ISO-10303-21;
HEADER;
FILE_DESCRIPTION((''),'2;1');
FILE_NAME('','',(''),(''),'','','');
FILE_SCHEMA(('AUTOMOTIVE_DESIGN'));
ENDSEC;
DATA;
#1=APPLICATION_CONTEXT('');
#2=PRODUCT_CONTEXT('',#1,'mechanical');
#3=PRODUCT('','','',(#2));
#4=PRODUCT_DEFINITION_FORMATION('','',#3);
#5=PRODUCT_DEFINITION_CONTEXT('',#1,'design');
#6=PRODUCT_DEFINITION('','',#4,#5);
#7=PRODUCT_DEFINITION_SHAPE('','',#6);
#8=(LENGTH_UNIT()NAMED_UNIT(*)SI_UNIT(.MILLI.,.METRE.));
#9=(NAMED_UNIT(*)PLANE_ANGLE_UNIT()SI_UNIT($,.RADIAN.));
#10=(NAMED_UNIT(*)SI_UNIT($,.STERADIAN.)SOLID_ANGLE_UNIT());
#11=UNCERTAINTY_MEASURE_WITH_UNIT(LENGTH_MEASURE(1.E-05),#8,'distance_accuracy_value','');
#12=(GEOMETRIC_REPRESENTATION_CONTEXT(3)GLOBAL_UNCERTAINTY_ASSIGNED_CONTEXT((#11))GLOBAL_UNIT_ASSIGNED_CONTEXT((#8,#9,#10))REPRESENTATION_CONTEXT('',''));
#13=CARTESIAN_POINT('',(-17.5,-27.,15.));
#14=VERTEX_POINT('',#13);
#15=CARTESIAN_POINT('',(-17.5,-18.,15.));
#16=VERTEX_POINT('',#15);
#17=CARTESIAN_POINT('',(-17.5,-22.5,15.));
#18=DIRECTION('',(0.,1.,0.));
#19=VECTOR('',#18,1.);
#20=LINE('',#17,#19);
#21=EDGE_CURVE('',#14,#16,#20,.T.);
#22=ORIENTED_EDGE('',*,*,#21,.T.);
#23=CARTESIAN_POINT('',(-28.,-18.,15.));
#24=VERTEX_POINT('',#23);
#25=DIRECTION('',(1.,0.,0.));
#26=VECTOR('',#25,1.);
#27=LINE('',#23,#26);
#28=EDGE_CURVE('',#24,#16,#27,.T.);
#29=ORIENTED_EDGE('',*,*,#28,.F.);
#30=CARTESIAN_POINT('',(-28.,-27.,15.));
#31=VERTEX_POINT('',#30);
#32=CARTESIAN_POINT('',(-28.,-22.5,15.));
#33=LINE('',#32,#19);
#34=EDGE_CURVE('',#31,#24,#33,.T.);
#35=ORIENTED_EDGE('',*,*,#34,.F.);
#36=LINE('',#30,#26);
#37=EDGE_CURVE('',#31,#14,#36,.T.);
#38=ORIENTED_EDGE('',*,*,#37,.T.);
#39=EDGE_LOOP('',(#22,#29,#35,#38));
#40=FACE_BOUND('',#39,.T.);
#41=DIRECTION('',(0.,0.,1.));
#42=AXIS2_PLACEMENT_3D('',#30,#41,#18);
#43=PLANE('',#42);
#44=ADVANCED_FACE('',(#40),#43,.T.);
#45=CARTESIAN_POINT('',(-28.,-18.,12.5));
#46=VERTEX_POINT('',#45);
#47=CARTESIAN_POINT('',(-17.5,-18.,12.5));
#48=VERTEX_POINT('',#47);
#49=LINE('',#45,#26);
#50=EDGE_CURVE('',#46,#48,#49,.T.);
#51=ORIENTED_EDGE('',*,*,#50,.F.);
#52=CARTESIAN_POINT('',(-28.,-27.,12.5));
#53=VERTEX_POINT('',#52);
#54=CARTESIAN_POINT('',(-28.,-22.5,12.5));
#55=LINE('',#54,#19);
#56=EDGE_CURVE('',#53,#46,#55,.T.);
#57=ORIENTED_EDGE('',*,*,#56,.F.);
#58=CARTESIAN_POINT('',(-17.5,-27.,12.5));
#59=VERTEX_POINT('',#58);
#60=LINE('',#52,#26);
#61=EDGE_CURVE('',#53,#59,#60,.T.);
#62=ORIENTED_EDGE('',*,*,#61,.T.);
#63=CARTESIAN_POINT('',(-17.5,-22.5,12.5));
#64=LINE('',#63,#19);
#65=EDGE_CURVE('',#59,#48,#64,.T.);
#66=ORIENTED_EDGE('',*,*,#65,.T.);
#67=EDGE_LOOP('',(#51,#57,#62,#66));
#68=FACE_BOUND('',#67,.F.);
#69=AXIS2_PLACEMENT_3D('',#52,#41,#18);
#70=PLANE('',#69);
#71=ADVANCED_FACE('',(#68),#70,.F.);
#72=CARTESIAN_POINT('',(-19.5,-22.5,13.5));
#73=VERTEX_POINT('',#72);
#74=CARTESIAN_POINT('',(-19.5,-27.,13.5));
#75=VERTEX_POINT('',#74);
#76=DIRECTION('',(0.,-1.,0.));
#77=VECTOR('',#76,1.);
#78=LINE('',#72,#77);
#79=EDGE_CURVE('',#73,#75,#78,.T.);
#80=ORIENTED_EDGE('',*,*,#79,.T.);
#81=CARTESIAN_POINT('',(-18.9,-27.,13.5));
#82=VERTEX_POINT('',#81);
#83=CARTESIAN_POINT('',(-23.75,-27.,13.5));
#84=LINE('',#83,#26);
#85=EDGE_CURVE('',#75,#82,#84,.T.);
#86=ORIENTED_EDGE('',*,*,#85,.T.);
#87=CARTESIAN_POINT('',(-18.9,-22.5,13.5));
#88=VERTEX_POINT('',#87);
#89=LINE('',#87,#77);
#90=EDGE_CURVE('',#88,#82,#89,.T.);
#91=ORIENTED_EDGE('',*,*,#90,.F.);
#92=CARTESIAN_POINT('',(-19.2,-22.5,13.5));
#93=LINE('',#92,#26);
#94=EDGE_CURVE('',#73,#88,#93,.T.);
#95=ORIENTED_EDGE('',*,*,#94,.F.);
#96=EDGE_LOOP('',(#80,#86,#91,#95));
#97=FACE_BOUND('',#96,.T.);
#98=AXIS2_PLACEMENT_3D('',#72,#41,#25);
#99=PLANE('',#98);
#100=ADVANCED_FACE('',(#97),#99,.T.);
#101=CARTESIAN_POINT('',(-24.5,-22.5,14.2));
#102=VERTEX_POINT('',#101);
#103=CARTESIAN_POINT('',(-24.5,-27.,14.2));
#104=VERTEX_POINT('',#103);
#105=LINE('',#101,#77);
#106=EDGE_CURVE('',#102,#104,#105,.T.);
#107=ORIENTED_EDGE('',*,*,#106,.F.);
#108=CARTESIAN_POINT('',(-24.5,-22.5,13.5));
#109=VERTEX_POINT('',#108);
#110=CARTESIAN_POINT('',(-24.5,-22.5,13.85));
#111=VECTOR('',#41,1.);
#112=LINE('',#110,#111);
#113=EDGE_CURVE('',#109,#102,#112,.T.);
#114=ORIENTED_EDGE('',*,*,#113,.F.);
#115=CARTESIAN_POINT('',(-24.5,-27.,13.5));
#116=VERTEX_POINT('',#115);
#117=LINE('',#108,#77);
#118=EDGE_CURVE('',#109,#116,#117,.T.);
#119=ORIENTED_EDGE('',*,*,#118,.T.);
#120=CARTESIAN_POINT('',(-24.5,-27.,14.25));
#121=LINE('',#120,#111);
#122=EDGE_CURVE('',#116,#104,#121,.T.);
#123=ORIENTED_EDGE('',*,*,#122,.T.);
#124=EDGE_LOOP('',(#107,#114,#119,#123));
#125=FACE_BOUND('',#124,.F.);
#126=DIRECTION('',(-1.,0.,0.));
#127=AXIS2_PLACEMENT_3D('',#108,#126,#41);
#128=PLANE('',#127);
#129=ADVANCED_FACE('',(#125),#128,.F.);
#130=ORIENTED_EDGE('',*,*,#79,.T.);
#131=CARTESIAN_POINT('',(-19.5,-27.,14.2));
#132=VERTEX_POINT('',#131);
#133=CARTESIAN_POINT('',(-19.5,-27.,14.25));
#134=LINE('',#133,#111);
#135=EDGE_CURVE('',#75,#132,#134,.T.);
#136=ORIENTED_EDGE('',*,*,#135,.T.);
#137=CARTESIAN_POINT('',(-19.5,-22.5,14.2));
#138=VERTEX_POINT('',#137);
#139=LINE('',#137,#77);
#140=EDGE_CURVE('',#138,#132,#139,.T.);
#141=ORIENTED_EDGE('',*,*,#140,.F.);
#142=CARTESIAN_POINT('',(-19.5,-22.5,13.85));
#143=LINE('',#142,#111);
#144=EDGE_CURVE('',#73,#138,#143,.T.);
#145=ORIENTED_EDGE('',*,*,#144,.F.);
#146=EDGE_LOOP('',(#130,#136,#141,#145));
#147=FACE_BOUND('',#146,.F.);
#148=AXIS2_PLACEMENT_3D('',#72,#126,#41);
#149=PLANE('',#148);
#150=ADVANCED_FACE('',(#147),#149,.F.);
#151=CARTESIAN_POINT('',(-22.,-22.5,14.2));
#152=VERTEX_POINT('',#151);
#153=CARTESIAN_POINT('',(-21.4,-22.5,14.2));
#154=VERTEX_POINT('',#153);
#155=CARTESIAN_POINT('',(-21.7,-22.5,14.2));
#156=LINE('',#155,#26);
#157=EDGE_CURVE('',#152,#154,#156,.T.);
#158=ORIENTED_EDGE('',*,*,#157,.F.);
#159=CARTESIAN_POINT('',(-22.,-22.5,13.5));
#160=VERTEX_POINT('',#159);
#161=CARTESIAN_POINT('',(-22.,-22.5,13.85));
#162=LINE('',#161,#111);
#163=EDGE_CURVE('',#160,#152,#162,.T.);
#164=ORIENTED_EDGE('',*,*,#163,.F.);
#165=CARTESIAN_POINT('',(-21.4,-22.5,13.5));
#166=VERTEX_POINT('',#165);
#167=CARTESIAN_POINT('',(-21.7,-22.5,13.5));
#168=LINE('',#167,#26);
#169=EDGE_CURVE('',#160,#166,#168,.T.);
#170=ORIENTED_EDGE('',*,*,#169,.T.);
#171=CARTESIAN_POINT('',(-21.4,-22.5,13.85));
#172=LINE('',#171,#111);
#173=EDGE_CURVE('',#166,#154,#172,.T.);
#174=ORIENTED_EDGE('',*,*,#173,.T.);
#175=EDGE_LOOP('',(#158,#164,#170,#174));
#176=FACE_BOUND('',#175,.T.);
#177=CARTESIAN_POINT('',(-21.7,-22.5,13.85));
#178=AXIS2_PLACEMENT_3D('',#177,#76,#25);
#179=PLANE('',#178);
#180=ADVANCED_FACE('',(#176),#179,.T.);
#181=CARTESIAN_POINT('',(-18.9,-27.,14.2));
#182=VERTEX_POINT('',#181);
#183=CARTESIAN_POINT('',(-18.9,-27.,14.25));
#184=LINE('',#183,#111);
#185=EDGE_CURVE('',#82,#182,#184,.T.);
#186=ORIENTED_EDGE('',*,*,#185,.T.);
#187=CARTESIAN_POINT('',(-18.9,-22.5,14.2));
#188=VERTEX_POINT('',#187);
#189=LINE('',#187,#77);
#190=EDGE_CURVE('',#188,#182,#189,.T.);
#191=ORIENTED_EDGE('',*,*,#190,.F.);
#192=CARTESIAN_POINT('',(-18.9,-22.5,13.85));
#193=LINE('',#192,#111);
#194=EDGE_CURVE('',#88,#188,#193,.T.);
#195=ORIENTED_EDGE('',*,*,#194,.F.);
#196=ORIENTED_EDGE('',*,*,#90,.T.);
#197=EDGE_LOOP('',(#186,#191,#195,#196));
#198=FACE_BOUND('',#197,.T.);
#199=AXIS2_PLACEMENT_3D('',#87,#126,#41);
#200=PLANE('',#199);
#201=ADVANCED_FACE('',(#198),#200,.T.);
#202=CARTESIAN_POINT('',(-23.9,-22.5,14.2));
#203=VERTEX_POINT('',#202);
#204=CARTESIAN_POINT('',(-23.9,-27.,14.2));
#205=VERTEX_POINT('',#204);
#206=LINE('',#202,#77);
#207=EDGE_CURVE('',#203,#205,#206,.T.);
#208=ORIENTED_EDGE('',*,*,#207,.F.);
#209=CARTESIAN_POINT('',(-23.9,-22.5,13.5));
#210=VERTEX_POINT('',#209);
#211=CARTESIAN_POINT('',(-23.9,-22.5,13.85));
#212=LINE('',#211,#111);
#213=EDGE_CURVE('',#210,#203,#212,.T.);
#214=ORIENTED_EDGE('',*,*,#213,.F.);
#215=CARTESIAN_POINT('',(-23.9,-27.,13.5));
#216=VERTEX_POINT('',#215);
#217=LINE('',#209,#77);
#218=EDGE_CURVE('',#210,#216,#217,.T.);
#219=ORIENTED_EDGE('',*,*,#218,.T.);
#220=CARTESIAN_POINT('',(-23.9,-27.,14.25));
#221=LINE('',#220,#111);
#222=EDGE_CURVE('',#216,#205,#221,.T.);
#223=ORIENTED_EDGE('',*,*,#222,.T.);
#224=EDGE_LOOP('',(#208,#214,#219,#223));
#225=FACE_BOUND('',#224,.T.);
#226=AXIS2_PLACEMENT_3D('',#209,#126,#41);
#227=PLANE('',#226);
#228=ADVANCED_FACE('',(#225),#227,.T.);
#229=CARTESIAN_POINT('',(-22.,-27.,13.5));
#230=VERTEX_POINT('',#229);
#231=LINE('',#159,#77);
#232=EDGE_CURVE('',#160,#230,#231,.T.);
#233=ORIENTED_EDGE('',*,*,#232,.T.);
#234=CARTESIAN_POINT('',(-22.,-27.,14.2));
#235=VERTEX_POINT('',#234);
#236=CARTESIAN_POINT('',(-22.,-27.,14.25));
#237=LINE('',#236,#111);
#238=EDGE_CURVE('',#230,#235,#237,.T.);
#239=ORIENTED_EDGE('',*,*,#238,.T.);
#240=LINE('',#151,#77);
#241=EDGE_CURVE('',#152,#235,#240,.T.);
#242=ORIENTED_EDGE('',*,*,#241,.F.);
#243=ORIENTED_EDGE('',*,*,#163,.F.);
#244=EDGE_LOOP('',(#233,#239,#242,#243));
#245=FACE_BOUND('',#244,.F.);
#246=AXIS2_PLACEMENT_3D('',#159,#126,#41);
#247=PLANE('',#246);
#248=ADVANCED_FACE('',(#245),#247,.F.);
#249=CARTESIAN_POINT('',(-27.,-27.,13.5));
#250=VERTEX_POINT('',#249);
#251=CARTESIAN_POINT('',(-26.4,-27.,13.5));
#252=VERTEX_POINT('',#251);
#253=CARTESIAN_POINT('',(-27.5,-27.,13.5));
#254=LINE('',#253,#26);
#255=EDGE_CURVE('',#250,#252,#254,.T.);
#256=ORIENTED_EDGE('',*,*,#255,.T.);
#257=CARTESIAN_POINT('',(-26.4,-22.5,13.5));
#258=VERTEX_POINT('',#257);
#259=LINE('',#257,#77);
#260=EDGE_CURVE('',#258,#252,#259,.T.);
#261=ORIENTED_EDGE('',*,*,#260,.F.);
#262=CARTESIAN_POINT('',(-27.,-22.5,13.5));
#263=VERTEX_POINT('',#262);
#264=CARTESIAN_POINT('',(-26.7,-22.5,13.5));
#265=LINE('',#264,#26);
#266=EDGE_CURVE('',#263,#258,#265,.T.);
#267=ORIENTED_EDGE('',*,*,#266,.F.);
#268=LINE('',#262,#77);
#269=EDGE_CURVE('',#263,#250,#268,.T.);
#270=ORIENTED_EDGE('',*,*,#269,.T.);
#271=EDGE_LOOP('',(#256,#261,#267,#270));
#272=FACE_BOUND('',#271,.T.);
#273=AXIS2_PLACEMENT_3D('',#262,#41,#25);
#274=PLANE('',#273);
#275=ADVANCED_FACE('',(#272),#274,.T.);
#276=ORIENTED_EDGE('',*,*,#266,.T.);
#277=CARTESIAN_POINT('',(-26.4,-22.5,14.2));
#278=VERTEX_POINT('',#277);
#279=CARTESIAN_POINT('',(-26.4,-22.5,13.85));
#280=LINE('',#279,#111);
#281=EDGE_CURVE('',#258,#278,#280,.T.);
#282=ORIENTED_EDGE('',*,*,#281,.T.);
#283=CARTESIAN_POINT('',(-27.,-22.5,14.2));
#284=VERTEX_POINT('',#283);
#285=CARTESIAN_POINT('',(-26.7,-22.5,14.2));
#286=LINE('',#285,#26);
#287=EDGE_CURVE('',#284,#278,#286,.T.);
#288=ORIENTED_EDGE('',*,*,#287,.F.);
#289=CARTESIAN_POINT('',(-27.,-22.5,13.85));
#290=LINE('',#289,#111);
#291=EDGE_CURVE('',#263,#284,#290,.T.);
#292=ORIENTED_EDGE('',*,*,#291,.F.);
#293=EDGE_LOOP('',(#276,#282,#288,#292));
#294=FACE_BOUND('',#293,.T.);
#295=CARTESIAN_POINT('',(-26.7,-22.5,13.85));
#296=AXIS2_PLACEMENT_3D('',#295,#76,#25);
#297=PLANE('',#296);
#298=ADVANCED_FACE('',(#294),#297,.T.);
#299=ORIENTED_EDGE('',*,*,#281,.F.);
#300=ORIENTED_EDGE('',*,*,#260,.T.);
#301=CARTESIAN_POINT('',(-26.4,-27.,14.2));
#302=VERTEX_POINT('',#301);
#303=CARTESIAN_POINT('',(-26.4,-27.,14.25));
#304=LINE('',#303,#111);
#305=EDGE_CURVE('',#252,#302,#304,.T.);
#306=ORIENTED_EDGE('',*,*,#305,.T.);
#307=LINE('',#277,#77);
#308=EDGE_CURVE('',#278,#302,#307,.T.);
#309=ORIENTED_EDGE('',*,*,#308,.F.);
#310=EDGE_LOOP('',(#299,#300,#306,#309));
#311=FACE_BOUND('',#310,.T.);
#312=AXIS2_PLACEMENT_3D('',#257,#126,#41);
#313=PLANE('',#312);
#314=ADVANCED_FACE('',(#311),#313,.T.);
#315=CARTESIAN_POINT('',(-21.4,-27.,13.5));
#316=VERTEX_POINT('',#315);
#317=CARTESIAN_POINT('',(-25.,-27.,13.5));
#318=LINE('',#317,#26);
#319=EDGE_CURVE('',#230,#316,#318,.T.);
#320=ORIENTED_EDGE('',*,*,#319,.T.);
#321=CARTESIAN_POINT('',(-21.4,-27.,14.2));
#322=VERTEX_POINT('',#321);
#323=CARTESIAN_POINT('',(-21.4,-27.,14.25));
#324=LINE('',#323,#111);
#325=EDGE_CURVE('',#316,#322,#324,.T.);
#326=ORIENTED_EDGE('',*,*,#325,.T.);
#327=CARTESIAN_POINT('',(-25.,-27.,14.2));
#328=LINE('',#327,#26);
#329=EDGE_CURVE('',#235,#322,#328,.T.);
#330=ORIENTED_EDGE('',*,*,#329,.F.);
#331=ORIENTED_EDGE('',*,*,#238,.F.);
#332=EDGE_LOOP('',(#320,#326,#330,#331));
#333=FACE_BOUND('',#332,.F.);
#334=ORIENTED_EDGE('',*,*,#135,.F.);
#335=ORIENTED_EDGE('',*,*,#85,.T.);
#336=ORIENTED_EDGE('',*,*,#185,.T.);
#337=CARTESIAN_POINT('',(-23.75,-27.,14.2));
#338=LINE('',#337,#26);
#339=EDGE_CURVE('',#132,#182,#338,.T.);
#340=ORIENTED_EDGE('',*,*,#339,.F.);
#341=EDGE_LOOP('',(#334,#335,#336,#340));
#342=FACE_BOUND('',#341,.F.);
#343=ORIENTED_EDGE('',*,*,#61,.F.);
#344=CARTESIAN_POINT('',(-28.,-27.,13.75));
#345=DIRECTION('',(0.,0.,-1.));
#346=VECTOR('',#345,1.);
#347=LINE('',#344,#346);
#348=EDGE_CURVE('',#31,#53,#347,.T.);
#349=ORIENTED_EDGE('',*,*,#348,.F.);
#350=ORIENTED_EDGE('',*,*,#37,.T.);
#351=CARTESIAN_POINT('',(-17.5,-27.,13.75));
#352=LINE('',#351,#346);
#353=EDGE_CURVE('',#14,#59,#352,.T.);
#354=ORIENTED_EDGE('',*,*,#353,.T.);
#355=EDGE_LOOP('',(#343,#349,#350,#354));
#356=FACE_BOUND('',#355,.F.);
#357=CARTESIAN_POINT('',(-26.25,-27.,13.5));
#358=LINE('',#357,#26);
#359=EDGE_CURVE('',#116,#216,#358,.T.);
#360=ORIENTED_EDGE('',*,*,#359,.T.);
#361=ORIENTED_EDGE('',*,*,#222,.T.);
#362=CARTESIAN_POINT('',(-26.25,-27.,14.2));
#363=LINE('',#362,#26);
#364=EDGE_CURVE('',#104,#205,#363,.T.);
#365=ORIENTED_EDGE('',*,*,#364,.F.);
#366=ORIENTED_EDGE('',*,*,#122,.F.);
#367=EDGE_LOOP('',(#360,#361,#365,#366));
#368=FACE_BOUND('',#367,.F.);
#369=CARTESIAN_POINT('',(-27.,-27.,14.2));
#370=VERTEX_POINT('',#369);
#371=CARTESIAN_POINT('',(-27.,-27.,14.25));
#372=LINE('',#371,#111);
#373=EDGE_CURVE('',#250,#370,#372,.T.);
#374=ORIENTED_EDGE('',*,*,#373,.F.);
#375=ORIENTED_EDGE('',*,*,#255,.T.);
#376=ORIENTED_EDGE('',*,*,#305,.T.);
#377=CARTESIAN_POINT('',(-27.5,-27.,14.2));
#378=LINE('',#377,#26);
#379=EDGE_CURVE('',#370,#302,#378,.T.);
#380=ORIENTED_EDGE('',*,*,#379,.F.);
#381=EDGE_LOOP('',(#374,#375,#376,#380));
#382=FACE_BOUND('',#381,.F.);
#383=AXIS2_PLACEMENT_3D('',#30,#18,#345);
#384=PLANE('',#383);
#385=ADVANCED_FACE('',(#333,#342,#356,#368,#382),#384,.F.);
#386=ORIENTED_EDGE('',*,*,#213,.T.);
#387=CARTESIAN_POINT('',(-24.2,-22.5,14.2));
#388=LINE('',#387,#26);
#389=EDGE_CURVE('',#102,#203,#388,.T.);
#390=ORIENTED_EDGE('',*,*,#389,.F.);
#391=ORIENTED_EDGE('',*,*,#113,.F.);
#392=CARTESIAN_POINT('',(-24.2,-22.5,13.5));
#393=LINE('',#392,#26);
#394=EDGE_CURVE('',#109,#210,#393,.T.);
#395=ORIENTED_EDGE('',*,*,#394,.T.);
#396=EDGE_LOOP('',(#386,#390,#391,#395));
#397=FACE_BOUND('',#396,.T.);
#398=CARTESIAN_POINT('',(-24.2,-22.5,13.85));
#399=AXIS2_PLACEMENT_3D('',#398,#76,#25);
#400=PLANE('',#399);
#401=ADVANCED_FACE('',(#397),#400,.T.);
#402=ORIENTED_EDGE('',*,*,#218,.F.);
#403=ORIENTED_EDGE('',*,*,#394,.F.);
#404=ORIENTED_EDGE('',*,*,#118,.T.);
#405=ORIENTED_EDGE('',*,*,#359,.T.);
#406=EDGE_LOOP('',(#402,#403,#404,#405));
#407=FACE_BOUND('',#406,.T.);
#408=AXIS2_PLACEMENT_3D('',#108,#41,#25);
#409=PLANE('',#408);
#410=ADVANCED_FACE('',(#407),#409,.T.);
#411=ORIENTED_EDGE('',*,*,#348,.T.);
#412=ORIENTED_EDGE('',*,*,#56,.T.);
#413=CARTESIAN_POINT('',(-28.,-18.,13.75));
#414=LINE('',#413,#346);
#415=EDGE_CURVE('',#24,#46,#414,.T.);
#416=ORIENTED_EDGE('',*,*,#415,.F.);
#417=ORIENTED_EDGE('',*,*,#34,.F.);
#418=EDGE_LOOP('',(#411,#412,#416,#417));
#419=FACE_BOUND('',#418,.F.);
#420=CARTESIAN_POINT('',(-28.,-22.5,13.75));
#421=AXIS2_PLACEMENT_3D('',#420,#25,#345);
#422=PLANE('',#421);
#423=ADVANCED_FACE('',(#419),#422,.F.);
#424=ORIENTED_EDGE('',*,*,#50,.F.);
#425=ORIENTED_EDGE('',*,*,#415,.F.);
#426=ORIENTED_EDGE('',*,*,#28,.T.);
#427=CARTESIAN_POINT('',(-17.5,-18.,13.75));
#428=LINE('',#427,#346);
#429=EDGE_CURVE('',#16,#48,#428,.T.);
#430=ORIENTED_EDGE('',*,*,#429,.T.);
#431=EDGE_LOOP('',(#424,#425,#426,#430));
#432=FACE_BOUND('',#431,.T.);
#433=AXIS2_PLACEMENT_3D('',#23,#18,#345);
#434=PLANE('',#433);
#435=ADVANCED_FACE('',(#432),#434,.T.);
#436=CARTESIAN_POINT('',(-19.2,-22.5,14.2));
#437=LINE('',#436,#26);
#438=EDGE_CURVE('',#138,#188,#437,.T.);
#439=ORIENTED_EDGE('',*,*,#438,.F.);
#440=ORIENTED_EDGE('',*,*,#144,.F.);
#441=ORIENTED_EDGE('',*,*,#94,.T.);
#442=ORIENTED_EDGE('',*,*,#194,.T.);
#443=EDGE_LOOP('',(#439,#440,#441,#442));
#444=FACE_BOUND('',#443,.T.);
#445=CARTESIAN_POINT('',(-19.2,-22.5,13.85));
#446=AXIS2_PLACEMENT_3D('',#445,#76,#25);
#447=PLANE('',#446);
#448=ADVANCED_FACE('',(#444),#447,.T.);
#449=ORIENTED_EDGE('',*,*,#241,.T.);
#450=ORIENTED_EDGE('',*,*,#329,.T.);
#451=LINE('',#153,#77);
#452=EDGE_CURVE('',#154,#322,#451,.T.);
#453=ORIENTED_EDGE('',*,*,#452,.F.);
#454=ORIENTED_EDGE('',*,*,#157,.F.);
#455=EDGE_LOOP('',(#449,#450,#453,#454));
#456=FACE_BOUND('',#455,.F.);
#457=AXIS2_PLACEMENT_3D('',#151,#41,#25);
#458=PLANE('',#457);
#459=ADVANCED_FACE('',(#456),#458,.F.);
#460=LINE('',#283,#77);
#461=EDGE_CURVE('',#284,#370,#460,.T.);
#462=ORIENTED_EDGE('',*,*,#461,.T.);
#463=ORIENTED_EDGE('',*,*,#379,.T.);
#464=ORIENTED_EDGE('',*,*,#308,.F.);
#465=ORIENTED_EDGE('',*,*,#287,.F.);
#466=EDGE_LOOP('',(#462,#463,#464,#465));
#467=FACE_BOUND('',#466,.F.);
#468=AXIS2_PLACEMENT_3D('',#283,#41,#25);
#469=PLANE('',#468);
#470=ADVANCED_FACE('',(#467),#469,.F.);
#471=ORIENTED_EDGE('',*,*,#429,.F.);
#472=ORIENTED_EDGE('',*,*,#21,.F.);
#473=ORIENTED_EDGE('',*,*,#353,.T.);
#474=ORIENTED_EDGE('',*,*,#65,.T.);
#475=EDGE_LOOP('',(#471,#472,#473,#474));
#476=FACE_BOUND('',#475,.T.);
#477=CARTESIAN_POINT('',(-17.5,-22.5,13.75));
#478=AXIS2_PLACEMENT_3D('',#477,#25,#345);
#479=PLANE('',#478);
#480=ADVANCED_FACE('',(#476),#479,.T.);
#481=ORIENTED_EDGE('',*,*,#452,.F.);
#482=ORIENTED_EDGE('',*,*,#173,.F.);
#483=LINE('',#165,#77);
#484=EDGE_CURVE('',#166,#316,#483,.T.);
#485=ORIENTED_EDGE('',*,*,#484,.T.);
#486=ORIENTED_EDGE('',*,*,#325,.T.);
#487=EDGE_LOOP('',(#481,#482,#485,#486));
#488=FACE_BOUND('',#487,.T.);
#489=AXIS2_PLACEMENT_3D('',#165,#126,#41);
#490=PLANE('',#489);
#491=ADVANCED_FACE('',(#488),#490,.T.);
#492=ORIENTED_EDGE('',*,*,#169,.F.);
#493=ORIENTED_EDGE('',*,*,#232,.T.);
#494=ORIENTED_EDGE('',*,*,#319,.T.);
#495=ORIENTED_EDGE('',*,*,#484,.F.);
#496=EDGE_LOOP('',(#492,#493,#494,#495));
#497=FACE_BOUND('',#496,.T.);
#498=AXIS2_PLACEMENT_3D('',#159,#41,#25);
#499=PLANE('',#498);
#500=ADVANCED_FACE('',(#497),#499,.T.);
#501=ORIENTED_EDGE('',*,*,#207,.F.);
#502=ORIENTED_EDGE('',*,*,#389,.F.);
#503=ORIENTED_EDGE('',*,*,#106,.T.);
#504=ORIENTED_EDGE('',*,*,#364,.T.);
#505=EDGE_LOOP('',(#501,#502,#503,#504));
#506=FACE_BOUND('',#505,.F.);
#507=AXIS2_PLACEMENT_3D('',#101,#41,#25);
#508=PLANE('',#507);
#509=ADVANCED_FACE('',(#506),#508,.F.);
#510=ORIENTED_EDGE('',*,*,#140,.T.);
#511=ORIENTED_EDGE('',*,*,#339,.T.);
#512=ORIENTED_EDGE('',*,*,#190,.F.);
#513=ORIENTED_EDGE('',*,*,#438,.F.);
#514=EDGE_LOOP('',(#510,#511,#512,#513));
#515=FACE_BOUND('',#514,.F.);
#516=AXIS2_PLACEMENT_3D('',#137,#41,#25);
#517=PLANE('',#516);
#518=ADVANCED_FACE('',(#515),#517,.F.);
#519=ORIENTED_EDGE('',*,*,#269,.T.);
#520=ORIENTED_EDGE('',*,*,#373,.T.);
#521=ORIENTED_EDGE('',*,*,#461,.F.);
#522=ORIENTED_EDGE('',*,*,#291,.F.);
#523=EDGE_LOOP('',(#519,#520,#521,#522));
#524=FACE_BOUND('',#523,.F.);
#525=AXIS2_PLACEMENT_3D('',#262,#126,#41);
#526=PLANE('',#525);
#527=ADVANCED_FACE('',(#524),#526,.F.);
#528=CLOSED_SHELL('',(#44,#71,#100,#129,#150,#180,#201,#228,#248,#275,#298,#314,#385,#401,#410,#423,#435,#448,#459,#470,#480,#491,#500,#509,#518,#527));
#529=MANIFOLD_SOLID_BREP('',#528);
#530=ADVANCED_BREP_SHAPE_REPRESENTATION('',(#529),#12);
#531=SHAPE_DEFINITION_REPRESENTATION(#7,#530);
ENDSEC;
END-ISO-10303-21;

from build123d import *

# Parameters (mm, degrees)
BOX297_W         = 0.6
BOX297_H         = 0.7
BOX297_DEPTH     = 5
ARRAY009_X_COUNT = 4
ARRAY009_X_PITCH = 2.5
BOX296_W         = 2.5
BOX296_H         = 9
BOX296_DEPTH     = 10.5


with BuildPart() as array009:
    # Box297 → Box297 (new body)
    with BuildSketch(Plane(origin=(-27, -22.5, 13.5), x_dir=(1, 0, 0), z_dir=(0, -1, 0))):
        with Locations((0.3, 0.35)):
            Rectangle(BOX297_W, BOX297_H)
    extrude(amount=BOX297_DEPTH)

    # Array009 X: Array009 ×4


with BuildPart() as array009_1:
    add(array009.part)
    with Locations(*[(i * ARRAY009_X_PITCH, 0, 0) for i in range(1, ARRAY009_X_COUNT)]):
        add(array009.part)


with BuildPart() as f_4pineshembra:
    # Box296 → Box296 (new body)
    with BuildSketch(Plane(origin=(-28, -27, 15), x_dir=(0, 0, -1), z_dir=(1, 0, 0))):
        with Locations((1.25, 4.5)):
            Rectangle(BOX296_W, BOX296_H)
    extrude(amount=BOX296_DEPTH)

    # Cut345: cut Array009
    add(array009_1.part, mode=Mode.SUBTRACT)


solid = f_4pineshembra.part
